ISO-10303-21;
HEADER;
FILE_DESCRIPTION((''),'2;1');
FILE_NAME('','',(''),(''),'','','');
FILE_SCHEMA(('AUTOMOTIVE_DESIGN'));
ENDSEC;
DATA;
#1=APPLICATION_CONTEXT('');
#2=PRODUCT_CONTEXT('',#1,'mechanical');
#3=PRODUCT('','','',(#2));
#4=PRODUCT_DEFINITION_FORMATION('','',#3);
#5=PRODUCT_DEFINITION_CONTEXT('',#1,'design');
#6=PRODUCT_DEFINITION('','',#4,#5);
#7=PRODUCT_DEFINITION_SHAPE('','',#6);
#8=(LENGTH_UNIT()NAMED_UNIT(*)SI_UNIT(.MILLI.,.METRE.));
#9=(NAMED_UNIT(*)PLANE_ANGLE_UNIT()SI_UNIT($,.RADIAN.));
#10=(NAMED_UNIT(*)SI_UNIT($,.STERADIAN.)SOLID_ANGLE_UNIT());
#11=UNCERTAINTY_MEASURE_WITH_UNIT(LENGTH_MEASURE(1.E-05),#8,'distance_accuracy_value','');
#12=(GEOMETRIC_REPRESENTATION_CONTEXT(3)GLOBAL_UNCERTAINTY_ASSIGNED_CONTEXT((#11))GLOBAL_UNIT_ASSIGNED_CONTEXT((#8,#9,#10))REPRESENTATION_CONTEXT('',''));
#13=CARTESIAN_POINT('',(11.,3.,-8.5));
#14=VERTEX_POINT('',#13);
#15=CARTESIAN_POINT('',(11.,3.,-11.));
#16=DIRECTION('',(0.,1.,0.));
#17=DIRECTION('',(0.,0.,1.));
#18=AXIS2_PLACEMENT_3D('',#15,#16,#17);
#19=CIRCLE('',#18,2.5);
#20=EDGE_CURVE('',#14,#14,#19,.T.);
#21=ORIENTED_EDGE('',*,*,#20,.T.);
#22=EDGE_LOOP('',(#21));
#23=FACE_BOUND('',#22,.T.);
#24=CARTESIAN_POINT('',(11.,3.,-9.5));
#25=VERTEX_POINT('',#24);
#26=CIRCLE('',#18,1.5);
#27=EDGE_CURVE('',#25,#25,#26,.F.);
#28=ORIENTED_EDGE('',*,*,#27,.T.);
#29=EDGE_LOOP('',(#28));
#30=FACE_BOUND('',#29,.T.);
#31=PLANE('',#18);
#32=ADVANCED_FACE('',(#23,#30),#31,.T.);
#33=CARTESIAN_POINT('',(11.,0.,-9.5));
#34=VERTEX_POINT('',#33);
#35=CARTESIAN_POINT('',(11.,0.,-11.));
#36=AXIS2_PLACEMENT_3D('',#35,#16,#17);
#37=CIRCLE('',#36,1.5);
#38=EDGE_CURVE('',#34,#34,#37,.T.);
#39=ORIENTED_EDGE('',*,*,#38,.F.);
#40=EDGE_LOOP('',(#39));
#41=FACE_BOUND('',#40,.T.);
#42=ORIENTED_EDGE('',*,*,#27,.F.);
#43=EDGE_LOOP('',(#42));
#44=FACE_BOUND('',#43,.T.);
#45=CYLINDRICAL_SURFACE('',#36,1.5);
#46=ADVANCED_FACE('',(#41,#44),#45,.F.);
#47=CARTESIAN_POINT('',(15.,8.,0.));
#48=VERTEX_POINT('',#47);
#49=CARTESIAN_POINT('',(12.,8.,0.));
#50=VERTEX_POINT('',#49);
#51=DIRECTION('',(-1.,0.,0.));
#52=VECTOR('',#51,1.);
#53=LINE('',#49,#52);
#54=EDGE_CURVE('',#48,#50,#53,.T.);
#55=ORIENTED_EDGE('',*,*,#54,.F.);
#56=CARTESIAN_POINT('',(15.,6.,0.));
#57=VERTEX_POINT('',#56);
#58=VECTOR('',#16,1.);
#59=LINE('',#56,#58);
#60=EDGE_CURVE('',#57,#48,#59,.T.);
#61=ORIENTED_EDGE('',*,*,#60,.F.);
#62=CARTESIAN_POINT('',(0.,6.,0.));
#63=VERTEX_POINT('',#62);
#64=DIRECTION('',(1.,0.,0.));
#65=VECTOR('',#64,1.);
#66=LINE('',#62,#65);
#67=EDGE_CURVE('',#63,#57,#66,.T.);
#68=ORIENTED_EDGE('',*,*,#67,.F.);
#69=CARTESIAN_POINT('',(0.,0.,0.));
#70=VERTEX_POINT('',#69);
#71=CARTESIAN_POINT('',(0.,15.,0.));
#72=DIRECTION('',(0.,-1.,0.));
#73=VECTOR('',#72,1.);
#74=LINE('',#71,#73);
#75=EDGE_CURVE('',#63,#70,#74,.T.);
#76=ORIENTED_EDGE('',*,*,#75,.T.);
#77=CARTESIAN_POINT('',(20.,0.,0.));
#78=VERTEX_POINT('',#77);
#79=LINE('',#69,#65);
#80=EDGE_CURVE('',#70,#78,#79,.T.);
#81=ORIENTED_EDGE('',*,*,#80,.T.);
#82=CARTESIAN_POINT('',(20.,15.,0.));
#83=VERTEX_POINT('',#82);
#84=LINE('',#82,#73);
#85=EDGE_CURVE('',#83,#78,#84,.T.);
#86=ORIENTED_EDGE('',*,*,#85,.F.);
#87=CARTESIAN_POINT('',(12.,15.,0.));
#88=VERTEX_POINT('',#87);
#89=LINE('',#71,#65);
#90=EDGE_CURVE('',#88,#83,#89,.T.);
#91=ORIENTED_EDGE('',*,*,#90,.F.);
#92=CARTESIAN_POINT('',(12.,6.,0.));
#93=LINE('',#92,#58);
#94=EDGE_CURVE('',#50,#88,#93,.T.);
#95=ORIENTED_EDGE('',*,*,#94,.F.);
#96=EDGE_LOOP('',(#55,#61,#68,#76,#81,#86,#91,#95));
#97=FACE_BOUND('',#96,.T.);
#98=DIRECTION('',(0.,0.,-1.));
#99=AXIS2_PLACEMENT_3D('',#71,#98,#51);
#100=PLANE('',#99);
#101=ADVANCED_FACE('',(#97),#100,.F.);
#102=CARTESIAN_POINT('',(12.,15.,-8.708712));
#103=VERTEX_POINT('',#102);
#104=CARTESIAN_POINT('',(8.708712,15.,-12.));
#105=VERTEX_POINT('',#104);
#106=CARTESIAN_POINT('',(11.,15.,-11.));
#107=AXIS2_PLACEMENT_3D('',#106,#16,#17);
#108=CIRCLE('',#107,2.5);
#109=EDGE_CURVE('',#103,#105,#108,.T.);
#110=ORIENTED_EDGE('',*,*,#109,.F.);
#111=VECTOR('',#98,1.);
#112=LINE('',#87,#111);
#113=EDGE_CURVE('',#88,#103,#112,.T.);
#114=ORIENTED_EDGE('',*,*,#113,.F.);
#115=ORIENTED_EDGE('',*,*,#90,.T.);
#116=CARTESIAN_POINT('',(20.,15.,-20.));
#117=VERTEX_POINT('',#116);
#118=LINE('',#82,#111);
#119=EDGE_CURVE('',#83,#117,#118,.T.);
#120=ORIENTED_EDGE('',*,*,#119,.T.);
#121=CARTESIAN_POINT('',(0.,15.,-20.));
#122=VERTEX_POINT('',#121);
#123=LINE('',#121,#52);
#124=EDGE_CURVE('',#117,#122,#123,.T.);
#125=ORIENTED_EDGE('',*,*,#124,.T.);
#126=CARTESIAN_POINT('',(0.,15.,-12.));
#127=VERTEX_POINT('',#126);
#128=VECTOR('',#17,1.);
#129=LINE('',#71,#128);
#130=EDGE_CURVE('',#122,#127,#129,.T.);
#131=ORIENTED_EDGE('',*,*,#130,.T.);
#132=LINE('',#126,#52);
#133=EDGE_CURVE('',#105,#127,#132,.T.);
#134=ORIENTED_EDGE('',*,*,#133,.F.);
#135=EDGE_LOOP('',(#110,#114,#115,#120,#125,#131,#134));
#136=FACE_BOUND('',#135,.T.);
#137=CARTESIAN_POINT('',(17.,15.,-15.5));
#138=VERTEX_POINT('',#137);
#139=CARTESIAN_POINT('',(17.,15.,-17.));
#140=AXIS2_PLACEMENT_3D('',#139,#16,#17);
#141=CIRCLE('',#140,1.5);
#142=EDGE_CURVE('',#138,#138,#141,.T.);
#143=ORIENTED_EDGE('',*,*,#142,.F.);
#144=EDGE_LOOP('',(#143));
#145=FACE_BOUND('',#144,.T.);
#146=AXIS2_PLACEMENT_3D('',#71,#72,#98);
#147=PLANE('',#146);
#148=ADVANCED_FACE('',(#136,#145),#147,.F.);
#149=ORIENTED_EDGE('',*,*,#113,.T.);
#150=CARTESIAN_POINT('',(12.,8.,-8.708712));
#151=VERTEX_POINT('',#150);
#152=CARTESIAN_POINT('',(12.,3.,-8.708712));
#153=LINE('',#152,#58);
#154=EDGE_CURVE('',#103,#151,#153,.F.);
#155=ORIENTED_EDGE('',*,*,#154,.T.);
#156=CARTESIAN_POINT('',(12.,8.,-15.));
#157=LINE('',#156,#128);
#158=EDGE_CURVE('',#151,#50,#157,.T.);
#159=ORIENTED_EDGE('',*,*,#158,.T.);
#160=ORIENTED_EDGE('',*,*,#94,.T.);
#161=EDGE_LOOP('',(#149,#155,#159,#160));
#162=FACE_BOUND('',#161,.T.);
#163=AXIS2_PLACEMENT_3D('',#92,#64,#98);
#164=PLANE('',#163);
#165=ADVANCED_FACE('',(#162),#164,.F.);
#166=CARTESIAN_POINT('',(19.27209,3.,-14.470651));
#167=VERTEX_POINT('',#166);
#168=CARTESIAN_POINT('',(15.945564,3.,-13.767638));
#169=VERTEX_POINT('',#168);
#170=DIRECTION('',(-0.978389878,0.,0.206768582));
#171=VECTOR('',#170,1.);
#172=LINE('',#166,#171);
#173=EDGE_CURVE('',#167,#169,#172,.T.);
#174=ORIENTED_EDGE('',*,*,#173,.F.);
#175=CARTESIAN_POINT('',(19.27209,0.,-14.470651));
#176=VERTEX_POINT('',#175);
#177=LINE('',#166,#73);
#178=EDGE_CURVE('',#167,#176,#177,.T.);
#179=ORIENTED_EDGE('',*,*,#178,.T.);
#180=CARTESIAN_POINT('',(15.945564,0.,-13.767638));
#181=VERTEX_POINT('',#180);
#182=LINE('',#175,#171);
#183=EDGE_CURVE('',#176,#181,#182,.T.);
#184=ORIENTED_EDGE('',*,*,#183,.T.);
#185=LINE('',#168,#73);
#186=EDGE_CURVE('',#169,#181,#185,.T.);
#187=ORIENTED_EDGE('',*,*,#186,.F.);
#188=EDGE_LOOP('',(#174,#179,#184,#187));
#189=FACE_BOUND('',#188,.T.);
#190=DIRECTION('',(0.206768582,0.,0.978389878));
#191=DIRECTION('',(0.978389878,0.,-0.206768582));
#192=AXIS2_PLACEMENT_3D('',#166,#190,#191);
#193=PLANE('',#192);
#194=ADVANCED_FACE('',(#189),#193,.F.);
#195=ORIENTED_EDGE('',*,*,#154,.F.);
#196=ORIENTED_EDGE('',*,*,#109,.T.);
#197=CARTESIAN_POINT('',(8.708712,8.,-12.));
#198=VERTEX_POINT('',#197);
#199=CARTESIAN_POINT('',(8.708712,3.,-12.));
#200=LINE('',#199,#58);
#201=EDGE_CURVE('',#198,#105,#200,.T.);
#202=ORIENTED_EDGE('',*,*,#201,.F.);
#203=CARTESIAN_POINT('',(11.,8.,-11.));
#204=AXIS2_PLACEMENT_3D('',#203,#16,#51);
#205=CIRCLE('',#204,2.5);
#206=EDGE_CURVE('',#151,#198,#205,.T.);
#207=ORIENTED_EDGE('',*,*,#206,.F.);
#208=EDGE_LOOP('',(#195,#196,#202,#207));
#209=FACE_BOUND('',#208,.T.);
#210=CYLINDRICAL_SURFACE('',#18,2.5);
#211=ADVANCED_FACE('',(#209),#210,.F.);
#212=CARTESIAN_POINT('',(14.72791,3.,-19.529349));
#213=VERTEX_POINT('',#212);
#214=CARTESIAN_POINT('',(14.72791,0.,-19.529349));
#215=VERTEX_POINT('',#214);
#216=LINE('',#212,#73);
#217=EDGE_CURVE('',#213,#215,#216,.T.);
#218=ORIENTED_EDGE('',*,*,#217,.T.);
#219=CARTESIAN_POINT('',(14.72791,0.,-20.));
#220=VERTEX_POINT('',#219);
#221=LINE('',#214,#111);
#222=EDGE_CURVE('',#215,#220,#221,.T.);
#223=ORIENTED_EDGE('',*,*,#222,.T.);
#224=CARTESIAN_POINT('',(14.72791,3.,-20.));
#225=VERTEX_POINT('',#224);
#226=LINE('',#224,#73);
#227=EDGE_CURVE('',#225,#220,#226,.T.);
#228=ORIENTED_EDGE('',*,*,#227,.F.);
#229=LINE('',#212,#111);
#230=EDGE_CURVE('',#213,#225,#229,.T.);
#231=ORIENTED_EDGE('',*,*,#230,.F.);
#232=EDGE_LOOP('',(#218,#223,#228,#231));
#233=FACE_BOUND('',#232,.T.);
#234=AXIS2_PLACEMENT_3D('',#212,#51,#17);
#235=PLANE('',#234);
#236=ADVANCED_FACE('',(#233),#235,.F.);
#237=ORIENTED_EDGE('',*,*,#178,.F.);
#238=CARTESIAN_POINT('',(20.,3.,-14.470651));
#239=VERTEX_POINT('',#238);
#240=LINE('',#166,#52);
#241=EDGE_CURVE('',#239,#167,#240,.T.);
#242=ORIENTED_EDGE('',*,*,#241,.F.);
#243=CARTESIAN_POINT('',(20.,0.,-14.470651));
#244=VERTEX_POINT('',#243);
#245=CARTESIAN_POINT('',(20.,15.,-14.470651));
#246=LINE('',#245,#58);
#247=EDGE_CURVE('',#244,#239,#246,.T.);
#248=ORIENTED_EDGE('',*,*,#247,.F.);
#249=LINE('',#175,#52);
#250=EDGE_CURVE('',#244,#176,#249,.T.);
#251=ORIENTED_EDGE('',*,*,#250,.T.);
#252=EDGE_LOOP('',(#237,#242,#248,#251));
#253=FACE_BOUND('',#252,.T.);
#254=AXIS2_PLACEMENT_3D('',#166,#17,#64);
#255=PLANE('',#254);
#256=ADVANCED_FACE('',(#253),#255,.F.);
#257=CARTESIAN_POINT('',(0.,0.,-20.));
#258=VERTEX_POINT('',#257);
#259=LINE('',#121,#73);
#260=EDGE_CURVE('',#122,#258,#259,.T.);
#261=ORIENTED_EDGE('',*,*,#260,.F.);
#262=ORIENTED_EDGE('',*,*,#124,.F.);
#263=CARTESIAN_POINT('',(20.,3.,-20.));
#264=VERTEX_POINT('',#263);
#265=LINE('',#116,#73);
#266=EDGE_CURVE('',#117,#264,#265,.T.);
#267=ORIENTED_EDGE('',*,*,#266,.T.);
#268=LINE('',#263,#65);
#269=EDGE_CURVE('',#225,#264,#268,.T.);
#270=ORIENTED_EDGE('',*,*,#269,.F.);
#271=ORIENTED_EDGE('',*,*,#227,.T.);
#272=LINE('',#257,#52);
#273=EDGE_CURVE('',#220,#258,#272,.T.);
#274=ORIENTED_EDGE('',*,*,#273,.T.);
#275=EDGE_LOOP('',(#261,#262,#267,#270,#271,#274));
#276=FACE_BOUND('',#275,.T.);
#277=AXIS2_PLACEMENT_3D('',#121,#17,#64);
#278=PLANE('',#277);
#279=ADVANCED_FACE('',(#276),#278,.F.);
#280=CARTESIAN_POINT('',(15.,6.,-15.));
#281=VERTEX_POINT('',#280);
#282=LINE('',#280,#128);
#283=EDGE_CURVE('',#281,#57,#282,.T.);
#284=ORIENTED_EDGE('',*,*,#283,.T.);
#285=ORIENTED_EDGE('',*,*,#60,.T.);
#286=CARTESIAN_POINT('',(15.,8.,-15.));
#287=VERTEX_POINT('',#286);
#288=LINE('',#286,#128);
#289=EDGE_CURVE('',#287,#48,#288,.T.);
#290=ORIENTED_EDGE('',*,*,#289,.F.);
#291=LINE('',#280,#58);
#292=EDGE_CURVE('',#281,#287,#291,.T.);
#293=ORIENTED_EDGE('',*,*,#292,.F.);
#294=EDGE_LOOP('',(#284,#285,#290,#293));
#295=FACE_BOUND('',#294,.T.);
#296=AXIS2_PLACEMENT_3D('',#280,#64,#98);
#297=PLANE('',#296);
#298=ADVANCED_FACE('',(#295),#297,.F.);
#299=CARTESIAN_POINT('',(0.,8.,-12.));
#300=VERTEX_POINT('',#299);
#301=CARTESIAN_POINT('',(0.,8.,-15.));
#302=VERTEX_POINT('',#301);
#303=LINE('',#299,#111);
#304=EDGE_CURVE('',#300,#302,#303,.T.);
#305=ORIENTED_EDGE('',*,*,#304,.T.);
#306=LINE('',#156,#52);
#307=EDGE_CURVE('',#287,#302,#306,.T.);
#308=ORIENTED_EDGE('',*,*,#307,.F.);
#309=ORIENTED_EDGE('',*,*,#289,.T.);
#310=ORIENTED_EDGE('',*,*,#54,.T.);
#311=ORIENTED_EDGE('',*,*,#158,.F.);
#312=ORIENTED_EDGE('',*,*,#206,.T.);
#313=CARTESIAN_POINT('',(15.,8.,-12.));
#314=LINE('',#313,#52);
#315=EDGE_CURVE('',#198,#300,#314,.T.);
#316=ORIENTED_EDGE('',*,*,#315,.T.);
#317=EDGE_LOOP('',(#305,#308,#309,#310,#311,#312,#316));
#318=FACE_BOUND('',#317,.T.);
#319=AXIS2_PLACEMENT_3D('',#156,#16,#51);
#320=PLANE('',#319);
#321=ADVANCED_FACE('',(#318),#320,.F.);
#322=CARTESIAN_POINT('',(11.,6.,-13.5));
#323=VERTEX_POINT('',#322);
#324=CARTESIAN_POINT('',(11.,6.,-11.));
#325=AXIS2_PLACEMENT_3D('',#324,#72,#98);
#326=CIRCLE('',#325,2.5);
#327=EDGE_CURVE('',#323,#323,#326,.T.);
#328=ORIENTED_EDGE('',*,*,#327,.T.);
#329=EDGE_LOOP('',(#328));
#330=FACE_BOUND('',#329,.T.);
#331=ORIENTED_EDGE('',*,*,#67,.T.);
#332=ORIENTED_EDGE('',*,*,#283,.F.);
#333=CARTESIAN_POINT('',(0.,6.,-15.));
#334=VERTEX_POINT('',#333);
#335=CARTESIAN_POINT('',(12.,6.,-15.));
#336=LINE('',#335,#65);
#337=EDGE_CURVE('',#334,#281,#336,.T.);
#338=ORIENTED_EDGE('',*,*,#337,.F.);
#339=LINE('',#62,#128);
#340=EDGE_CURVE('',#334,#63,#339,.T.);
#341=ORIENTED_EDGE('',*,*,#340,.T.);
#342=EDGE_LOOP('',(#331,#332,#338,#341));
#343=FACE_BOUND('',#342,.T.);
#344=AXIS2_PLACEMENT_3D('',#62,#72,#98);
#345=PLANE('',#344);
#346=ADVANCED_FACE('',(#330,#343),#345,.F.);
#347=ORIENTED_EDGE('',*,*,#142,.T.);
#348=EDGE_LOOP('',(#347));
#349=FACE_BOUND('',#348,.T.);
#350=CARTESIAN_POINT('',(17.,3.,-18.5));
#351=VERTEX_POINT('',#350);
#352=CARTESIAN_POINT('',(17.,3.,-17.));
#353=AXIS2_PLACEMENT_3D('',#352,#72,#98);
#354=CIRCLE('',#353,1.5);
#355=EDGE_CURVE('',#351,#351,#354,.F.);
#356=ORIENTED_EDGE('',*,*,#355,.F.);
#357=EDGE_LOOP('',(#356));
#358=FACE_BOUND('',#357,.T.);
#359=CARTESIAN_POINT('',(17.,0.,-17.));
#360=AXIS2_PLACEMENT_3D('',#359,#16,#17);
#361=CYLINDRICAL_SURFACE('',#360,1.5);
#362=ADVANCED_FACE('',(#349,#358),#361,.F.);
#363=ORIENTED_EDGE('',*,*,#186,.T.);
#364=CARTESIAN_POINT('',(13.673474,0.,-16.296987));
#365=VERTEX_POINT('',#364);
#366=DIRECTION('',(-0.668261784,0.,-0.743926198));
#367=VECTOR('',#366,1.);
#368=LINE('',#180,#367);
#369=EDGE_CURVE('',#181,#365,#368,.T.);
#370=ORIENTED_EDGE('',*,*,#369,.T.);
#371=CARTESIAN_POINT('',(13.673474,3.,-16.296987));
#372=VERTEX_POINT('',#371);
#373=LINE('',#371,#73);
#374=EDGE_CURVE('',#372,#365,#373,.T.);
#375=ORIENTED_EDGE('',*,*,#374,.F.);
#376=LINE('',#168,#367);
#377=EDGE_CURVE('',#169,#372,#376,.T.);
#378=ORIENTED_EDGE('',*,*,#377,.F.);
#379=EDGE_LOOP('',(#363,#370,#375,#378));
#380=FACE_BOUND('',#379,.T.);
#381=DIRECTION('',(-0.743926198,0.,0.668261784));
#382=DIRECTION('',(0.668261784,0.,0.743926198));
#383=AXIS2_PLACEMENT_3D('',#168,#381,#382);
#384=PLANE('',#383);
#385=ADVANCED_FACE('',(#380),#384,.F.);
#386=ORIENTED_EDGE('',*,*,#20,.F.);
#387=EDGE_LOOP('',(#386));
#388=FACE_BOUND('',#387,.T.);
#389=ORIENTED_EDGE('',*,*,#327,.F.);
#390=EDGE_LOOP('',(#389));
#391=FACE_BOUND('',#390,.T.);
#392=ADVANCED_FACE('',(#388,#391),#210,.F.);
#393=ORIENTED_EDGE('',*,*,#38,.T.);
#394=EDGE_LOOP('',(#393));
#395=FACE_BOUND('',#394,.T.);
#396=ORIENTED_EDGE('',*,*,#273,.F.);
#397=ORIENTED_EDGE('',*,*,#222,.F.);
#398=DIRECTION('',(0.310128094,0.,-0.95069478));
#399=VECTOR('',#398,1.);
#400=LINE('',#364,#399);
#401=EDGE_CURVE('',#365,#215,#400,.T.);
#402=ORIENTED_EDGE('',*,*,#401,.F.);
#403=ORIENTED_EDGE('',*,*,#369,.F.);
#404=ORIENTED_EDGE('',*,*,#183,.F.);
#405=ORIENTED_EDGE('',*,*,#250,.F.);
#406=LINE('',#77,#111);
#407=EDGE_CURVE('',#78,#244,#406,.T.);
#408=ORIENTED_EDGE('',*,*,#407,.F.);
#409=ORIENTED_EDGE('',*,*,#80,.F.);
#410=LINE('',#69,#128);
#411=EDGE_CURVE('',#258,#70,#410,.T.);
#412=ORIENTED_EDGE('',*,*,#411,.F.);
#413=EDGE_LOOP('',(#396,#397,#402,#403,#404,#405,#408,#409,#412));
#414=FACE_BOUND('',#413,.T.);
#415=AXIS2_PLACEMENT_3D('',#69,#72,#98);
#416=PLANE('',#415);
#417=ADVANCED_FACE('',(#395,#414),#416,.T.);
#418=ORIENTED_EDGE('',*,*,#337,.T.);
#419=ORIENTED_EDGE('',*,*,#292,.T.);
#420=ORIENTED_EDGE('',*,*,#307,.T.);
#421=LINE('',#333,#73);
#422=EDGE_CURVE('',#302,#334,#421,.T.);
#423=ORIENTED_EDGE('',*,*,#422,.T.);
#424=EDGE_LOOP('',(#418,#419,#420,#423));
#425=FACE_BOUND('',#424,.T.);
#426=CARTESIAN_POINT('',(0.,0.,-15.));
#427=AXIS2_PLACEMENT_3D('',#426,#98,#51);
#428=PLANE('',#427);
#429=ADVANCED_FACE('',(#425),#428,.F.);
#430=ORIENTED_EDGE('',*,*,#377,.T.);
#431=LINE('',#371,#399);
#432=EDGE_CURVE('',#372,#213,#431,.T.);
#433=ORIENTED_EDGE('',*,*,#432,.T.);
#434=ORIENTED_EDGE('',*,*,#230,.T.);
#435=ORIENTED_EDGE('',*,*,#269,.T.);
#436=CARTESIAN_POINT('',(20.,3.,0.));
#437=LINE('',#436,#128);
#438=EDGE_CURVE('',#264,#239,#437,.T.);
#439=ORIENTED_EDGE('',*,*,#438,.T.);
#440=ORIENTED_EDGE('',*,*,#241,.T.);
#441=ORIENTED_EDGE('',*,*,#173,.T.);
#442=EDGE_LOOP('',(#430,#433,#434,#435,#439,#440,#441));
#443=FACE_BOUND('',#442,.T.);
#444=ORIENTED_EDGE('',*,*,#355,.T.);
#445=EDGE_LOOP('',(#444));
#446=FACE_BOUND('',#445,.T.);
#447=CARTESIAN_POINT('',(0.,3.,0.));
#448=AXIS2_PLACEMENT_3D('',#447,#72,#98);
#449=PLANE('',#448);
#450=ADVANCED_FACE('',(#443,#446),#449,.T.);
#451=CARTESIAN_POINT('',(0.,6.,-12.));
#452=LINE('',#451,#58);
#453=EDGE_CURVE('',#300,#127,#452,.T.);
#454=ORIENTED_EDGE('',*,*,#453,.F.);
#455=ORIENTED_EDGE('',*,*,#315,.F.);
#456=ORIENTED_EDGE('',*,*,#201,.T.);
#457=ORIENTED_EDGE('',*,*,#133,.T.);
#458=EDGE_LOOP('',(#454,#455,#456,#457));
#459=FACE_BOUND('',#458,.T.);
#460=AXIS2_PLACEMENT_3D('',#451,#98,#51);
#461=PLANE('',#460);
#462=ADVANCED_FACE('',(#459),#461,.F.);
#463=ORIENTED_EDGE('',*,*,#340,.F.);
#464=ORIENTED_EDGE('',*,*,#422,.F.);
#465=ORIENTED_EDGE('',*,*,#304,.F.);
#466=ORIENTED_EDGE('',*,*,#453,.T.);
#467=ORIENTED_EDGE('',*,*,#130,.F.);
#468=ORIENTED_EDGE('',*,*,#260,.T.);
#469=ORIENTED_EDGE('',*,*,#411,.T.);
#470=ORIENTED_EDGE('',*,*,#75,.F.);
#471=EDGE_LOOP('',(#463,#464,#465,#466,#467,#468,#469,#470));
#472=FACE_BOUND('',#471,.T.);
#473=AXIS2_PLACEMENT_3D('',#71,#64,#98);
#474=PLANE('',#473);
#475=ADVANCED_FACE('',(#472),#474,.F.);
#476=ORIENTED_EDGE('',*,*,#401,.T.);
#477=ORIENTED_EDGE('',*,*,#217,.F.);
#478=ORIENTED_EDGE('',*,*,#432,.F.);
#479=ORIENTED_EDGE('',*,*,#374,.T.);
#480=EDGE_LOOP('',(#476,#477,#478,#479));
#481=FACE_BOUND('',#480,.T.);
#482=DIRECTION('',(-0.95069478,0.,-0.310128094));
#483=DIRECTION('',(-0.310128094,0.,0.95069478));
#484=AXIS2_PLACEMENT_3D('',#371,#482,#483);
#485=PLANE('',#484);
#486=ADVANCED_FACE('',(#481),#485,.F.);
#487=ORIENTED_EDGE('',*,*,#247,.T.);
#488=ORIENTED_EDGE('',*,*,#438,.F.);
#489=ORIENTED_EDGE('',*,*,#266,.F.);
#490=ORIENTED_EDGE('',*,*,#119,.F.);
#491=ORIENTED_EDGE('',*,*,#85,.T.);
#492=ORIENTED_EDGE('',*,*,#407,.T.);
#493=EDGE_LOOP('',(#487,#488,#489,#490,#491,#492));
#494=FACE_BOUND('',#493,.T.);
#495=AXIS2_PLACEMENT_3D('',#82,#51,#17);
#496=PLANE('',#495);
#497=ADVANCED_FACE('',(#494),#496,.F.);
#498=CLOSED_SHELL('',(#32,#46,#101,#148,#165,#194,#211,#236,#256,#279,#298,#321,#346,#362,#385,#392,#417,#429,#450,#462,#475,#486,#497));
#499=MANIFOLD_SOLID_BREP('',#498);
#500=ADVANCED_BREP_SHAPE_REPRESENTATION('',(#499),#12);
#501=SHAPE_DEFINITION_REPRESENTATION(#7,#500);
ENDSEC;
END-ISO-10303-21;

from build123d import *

# Parameters (mm, degrees)
SKETCH1_W           = 20
SKETCH1_H           = 20
BOSS_EXTRUDE1_DEPTH = 15
SKETCH2_W           = 12
SKETCH2_H           = 12
CUT_EXTRUDE1_DEPTH  = 9
SKETCH3_W           = 3
SKETCH3_H           = 2
CUT_EXTRUDE2_DEPTH  = 15
SKETCH4_W           = 3
SKETCH4_H           = 2
CUT_EXTRUDE3_DEPTH  = 15
SKETCH5_R           = 1.5
CUT_EXTRUDE4_DEPTH  = 15
SKETCH6_R           = 2.5
CUT_EXTRUDE5_DEPTH  = 12
CUT_EXTRUDE6_DEPTH  = 3
CUT_EXTRUDE7_DEPTH  = 3
CUT_EXTRUDE8_DEPTH  = 3


with BuildPart() as part:
    # Sketch1 → Boss-Extrude1 (new body)
    with BuildSketch(Plane(origin=(0, 0, 0), x_dir=(1, 0, 0), z_dir=(0, 1, 0))):
        with Locations((10, 10)):
            Rectangle(SKETCH1_W, SKETCH1_H)
    extrude(amount=BOSS_EXTRUDE1_DEPTH)

    # Sketch2 → Cut-Extrude1 (cut)
    with BuildSketch(Plane(origin=(0, 15, 0), x_dir=(1, 0, 0), z_dir=(0, 1, 0))):
        with Locations((6, 6)):
            Rectangle(SKETCH2_W, SKETCH2_H)
    extrude(amount=-CUT_EXTRUDE1_DEPTH, mode=Mode.SUBTRACT)

    # Sketch3 → Cut-Extrude2 (cut)
    with BuildSketch(Plane.XY):
        with Locations((13.5, 7)):
            Rectangle(SKETCH3_W, SKETCH3_H)
    extrude(amount=-CUT_EXTRUDE2_DEPTH, mode=Mode.SUBTRACT)

    # Sketch4 → Cut-Extrude3 (cut)
    with BuildSketch(Plane.ZY):
        with Locations((-13.5, 7)):
            Rectangle(SKETCH4_W, SKETCH4_H)
    extrude(amount=-CUT_EXTRUDE3_DEPTH, mode=Mode.SUBTRACT)

    # Sketch5 → Cut-Extrude4 (cut)
    with BuildSketch(Plane(origin=(0, 15, 0), x_dir=(1, 0, 0), z_dir=(0, 1, 0))):
        with Locations(Location((11, 11, 0), (0, 0, 270))):
            Circle(SKETCH5_R)
        with Locations(Location((17, 17, 0), (0, 0, 270))):
            Circle(SKETCH5_R)
    extrude(amount=-CUT_EXTRUDE4_DEPTH, mode=Mode.SUBTRACT)

    # Sketch6 → Cut-Extrude5 (cut)
    with BuildSketch(Plane(origin=(0, 15, 0), x_dir=(1, 0, 0), z_dir=(0, 1, 0))):
        with Locations(Location((11, 11, 0), (0, 0, 270))):
            Circle(SKETCH6_R)
    extrude(amount=-CUT_EXTRUDE5_DEPTH, mode=Mode.SUBTRACT)

    # Sketch7 → Cut-Extrude6 (cut)
    with BuildSketch(Plane(origin=(0, 0, 0), x_dir=(-1, 0, 0), z_dir=(0, -1, 0))):
        Polygon((-19.1, 14.71964915), (-16.075158234, 14.041171227), (-13.975158234, 16.321522077), (-14.9, 19.28035085), (-17.924841766, 19.958828773), (-20.024841766, 17.678477923), align=None)
    extrude(amount=-CUT_EXTRUDE6_DEPTH, mode=Mode.SUBTRACT)

    # Sketch8 → Cut-Extrude7 (cut)
    with BuildSketch(Plane(origin=(0, 0, 0), x_dir=(-1, 0, 0), z_dir=(0, -1, 0))):
        Polygon((-20, 14.71964915), (-19.1, 14.71964915), (-14.9, 19.28035085), (-14.9, 20), (-20, 20), align=None)
    extrude(amount=-CUT_EXTRUDE7_DEPTH, mode=Mode.SUBTRACT)

    # Sketch9 → Cut-Extrude8 (cut)
    with BuildSketch(Plane(origin=(0, 0, 0), x_dir=(-1, 0, 0), z_dir=(0, -1, 0))):
        Polygon((-13.673474415, 16.296986821), (-14.727909935, 19.529349074), (-14.727909935, 20), (-18.05443552, 20.232362253), (-20.326525585, 17.703013179), (-20.94475972, 14.470650926), (-19.272090065, 14.470650926), (-15.94556448, 13.767637747), align=None)
    extrude(amount=-CUT_EXTRUDE8_DEPTH, mode=Mode.SUBTRACT)


solid = part.part
